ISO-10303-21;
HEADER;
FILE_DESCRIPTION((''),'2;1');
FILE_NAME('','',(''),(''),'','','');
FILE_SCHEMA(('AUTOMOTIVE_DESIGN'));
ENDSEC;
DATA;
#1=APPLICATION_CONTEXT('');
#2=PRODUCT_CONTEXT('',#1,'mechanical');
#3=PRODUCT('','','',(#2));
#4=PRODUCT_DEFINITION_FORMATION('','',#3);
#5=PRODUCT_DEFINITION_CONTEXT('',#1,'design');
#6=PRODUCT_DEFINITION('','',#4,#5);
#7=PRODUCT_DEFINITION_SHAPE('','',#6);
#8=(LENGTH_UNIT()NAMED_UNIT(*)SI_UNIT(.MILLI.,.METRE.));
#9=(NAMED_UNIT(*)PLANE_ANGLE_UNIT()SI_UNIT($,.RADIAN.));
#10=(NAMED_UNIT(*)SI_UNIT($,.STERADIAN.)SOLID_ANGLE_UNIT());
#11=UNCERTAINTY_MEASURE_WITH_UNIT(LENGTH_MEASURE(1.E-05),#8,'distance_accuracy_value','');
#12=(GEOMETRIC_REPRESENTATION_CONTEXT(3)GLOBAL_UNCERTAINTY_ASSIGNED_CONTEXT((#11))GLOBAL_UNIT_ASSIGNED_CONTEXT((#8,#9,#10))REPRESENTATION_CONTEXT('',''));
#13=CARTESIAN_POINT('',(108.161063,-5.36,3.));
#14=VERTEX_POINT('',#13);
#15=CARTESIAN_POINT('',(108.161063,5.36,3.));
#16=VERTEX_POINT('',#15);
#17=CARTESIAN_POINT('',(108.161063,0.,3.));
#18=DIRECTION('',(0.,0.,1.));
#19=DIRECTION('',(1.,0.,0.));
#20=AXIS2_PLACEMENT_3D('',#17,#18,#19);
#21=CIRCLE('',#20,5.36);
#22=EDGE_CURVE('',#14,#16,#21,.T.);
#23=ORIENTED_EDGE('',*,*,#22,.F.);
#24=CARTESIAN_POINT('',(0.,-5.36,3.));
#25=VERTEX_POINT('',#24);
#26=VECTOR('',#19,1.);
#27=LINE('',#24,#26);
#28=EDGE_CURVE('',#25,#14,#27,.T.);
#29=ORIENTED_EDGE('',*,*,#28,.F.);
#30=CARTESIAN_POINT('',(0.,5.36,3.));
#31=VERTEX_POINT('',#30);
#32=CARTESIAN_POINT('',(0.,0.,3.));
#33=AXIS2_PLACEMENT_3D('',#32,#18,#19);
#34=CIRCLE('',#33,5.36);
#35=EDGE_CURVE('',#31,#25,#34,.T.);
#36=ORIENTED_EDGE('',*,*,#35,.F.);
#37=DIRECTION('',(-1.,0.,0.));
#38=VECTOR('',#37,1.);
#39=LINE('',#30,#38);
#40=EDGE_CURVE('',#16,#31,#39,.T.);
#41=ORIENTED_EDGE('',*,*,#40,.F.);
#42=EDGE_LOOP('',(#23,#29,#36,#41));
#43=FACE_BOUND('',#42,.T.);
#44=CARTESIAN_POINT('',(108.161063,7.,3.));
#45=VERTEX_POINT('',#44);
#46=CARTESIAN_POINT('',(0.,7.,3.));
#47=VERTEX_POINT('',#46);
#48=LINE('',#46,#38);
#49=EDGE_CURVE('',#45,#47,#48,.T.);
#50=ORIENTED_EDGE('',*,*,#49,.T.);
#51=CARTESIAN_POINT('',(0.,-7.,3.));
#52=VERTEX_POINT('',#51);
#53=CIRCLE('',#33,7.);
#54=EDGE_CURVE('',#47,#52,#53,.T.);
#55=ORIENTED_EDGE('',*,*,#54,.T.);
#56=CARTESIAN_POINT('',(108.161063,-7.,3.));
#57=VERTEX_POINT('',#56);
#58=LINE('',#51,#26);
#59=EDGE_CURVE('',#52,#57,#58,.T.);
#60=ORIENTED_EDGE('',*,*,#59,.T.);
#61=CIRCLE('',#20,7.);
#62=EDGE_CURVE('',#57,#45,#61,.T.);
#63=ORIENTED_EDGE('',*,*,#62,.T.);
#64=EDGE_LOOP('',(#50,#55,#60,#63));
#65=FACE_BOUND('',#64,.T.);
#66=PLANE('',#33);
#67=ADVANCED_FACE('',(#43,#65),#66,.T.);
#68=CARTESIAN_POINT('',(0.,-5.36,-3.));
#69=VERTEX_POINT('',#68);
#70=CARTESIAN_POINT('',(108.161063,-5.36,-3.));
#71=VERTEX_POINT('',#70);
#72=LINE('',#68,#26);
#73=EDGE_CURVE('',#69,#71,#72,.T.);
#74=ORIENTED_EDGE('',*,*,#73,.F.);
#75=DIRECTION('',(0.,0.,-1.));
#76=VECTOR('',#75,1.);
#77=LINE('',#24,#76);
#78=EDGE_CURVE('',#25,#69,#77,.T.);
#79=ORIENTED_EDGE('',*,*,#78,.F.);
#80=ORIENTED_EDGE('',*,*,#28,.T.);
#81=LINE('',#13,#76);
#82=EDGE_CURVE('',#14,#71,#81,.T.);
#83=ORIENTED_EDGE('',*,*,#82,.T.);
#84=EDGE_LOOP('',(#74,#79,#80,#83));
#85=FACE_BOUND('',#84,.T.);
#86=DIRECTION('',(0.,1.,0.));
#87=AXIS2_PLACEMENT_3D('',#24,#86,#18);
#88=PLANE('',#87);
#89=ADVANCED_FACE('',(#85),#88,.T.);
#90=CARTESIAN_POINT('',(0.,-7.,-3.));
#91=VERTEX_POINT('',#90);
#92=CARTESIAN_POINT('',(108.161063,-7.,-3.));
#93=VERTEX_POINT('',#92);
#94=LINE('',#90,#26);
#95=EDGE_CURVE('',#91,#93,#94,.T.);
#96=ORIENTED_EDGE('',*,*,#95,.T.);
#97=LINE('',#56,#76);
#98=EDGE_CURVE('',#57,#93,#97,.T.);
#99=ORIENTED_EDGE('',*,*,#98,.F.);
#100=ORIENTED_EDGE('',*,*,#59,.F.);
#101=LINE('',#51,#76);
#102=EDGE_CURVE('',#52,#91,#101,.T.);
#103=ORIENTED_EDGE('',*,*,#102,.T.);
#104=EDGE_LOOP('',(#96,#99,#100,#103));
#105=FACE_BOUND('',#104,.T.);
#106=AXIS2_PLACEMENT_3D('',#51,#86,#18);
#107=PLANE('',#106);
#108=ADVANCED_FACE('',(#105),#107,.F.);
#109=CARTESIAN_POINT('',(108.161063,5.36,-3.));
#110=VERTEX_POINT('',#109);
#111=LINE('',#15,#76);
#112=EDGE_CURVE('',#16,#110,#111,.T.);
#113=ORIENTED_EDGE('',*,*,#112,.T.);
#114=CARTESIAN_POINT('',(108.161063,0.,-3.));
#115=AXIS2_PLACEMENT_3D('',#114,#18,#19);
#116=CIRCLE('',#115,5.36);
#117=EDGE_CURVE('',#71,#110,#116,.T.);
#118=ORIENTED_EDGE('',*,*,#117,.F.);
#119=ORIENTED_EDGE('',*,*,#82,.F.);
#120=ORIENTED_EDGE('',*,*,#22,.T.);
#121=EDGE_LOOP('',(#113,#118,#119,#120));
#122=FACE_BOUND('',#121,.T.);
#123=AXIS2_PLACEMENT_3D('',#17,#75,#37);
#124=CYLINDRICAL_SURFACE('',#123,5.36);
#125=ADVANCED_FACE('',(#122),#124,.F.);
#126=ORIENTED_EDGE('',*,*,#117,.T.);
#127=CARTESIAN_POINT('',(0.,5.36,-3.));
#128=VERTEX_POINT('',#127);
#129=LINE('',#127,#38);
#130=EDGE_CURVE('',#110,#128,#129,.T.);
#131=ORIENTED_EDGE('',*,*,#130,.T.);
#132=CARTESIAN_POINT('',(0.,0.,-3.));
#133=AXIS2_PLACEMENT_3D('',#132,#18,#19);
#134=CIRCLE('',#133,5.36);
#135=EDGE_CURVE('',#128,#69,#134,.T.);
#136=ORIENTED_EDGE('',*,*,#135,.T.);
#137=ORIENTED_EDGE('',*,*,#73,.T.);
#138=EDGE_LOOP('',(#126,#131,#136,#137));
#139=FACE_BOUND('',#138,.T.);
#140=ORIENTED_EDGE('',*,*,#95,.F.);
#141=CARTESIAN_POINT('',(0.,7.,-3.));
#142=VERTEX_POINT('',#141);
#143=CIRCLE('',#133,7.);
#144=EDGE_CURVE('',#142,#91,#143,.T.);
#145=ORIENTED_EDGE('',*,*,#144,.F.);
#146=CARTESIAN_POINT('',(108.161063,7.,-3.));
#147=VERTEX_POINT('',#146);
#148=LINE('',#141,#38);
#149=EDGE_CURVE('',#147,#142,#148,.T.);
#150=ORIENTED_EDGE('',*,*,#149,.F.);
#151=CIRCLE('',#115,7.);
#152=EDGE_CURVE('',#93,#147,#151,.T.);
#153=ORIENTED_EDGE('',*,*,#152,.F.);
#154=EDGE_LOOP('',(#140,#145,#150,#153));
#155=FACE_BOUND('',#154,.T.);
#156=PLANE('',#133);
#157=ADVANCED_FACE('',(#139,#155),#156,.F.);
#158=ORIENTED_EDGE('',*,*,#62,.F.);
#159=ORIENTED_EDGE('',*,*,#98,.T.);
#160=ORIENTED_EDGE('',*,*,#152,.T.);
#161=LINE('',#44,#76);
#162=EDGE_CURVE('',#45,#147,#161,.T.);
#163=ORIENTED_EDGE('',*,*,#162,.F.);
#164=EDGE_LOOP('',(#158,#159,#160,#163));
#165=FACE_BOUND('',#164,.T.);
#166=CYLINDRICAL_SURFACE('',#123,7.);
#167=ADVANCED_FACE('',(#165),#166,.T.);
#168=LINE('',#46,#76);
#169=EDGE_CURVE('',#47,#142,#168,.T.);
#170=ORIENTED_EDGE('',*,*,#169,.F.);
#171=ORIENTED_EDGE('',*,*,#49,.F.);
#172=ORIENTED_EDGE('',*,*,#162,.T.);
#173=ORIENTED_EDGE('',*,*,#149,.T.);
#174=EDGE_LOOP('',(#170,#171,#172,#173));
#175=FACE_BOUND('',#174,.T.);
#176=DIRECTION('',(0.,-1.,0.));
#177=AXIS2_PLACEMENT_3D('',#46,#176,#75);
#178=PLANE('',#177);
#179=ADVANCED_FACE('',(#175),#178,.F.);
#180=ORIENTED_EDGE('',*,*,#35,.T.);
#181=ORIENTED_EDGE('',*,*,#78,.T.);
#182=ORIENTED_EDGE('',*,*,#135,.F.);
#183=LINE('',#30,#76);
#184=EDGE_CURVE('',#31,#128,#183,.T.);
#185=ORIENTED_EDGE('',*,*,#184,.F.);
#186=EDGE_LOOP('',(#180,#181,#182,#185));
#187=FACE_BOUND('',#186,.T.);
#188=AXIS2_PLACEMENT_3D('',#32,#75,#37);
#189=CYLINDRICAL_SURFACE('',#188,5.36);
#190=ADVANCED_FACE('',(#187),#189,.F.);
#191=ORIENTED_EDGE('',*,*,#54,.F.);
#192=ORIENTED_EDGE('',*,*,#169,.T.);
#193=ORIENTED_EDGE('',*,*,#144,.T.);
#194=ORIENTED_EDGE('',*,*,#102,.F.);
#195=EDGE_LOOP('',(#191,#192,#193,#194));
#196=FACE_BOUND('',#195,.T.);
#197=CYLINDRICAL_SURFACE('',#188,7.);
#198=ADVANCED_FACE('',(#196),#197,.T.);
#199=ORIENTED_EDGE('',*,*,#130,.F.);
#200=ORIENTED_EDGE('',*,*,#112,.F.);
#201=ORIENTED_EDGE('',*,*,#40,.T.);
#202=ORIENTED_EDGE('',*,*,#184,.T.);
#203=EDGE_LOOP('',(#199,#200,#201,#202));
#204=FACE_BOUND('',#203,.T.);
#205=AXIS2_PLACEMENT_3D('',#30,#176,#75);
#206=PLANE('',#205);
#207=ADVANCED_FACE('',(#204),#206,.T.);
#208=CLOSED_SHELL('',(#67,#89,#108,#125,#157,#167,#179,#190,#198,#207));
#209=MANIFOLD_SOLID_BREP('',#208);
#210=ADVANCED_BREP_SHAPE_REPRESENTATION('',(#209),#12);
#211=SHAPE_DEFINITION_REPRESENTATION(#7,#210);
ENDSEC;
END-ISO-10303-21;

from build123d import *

# Parameters (mm, degrees)
BOSS_EXTRUDE1_DEPTH = 3


with BuildPart() as part:
    # Sketch1 → Boss-Extrude1 (new body, symmetric)
    with BuildSketch(Plane.XY):
        with BuildLine():
            Line((0, 7), (108.161063377, 7))
            ThreePointArc((108.161063377, 7), (115.161063377, 0), (108.161063377, -7))
            Line((108.161063377, -7), (0, -7))
            ThreePointArc((0, -7), (-7, 0), (0, 7))
        make_face()
        with BuildLine():
            Line((0, 5.36), (108.161063377, 5.36))
            ThreePointArc((108.161063377, 5.36), (113.521063377, 0), (108.161063377, -5.36))
            Line((108.161063377, -5.36), (0, -5.36))
            ThreePointArc((0, -5.36), (-5.36, 0), (0, 5.36))
        make_face(mode=Mode.SUBTRACT)
    extrude(amount=BOSS_EXTRUDE1_DEPTH, both=True)


solid = part.part
